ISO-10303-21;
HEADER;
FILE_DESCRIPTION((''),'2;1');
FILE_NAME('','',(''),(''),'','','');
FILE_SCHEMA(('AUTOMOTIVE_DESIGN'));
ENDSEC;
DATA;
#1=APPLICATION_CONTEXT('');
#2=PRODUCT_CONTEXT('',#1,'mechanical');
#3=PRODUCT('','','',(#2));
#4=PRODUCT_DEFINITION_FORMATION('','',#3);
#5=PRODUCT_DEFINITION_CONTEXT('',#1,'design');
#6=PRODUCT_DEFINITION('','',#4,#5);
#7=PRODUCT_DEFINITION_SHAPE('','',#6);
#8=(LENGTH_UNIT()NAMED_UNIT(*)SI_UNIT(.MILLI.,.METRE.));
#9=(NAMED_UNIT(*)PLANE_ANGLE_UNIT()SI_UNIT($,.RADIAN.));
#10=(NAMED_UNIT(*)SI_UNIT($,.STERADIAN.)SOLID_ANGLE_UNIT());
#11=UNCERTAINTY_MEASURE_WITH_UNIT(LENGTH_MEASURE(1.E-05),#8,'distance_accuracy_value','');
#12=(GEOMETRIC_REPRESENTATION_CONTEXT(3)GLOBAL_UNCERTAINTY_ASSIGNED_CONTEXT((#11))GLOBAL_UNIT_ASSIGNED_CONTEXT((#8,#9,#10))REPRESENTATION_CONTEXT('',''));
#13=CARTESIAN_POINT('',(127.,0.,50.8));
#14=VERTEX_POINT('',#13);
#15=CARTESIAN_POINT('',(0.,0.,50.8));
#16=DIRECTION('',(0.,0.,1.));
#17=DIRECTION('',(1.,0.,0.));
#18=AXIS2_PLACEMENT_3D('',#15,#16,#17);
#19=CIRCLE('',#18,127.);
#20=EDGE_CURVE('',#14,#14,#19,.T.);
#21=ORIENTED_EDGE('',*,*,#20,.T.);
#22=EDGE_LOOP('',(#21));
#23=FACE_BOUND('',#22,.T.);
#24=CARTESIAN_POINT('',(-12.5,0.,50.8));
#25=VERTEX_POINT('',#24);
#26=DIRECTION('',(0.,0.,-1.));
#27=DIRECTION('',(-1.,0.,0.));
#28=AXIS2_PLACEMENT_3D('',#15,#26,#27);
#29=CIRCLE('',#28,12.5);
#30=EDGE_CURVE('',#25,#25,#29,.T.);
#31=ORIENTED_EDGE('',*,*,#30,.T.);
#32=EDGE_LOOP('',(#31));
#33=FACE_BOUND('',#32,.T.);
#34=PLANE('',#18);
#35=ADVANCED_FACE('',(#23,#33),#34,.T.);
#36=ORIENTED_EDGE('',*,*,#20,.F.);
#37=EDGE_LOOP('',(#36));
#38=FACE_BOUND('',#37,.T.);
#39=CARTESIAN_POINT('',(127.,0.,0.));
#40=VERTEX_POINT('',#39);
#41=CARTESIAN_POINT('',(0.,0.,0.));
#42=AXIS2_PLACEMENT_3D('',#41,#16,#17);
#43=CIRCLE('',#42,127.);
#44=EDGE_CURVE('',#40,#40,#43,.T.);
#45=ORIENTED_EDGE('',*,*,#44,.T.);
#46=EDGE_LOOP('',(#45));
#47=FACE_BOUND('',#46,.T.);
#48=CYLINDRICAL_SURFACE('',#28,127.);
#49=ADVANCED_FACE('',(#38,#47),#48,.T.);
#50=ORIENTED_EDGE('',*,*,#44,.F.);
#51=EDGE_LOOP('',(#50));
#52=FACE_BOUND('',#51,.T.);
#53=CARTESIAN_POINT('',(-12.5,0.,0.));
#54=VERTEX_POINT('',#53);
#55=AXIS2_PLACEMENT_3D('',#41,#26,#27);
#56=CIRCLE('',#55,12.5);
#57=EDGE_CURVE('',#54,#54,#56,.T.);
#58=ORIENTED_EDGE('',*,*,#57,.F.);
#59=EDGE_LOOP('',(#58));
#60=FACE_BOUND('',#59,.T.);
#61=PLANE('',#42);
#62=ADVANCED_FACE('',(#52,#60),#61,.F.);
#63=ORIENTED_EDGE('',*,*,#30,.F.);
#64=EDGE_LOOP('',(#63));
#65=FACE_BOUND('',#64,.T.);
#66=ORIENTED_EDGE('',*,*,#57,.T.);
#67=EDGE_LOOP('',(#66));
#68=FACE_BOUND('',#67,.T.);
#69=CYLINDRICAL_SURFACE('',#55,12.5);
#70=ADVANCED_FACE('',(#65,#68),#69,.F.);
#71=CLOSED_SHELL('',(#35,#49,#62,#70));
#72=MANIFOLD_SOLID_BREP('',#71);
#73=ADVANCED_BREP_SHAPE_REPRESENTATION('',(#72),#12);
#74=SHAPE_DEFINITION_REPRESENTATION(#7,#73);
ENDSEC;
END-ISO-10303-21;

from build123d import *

# Parameters (mm, degrees)
SKETCH1_R              = 127
BOSS_EXTRUDE1_DEPTH    = 50.8
F_25_0MM_DOWEL_HOLE1_D = 25


with BuildPart() as part:
    # Sketch1 → Boss-Extrude1 (new body)
    with BuildSketch(Plane.XY):
        Circle(SKETCH1_R)
    extrude(amount=BOSS_EXTRUDE1_DEPTH)

    # Ø25.0mm Dowel Hole1 (through all)
    with Locations(Plane(origin=(0, 0, 0), x_dir=(-1, 0, 0), z_dir=(0, 0, -1))):
        with Locations((0, 0)):
            Hole(F_25_0MM_DOWEL_HOLE1_D / 2)


solid = part.part
